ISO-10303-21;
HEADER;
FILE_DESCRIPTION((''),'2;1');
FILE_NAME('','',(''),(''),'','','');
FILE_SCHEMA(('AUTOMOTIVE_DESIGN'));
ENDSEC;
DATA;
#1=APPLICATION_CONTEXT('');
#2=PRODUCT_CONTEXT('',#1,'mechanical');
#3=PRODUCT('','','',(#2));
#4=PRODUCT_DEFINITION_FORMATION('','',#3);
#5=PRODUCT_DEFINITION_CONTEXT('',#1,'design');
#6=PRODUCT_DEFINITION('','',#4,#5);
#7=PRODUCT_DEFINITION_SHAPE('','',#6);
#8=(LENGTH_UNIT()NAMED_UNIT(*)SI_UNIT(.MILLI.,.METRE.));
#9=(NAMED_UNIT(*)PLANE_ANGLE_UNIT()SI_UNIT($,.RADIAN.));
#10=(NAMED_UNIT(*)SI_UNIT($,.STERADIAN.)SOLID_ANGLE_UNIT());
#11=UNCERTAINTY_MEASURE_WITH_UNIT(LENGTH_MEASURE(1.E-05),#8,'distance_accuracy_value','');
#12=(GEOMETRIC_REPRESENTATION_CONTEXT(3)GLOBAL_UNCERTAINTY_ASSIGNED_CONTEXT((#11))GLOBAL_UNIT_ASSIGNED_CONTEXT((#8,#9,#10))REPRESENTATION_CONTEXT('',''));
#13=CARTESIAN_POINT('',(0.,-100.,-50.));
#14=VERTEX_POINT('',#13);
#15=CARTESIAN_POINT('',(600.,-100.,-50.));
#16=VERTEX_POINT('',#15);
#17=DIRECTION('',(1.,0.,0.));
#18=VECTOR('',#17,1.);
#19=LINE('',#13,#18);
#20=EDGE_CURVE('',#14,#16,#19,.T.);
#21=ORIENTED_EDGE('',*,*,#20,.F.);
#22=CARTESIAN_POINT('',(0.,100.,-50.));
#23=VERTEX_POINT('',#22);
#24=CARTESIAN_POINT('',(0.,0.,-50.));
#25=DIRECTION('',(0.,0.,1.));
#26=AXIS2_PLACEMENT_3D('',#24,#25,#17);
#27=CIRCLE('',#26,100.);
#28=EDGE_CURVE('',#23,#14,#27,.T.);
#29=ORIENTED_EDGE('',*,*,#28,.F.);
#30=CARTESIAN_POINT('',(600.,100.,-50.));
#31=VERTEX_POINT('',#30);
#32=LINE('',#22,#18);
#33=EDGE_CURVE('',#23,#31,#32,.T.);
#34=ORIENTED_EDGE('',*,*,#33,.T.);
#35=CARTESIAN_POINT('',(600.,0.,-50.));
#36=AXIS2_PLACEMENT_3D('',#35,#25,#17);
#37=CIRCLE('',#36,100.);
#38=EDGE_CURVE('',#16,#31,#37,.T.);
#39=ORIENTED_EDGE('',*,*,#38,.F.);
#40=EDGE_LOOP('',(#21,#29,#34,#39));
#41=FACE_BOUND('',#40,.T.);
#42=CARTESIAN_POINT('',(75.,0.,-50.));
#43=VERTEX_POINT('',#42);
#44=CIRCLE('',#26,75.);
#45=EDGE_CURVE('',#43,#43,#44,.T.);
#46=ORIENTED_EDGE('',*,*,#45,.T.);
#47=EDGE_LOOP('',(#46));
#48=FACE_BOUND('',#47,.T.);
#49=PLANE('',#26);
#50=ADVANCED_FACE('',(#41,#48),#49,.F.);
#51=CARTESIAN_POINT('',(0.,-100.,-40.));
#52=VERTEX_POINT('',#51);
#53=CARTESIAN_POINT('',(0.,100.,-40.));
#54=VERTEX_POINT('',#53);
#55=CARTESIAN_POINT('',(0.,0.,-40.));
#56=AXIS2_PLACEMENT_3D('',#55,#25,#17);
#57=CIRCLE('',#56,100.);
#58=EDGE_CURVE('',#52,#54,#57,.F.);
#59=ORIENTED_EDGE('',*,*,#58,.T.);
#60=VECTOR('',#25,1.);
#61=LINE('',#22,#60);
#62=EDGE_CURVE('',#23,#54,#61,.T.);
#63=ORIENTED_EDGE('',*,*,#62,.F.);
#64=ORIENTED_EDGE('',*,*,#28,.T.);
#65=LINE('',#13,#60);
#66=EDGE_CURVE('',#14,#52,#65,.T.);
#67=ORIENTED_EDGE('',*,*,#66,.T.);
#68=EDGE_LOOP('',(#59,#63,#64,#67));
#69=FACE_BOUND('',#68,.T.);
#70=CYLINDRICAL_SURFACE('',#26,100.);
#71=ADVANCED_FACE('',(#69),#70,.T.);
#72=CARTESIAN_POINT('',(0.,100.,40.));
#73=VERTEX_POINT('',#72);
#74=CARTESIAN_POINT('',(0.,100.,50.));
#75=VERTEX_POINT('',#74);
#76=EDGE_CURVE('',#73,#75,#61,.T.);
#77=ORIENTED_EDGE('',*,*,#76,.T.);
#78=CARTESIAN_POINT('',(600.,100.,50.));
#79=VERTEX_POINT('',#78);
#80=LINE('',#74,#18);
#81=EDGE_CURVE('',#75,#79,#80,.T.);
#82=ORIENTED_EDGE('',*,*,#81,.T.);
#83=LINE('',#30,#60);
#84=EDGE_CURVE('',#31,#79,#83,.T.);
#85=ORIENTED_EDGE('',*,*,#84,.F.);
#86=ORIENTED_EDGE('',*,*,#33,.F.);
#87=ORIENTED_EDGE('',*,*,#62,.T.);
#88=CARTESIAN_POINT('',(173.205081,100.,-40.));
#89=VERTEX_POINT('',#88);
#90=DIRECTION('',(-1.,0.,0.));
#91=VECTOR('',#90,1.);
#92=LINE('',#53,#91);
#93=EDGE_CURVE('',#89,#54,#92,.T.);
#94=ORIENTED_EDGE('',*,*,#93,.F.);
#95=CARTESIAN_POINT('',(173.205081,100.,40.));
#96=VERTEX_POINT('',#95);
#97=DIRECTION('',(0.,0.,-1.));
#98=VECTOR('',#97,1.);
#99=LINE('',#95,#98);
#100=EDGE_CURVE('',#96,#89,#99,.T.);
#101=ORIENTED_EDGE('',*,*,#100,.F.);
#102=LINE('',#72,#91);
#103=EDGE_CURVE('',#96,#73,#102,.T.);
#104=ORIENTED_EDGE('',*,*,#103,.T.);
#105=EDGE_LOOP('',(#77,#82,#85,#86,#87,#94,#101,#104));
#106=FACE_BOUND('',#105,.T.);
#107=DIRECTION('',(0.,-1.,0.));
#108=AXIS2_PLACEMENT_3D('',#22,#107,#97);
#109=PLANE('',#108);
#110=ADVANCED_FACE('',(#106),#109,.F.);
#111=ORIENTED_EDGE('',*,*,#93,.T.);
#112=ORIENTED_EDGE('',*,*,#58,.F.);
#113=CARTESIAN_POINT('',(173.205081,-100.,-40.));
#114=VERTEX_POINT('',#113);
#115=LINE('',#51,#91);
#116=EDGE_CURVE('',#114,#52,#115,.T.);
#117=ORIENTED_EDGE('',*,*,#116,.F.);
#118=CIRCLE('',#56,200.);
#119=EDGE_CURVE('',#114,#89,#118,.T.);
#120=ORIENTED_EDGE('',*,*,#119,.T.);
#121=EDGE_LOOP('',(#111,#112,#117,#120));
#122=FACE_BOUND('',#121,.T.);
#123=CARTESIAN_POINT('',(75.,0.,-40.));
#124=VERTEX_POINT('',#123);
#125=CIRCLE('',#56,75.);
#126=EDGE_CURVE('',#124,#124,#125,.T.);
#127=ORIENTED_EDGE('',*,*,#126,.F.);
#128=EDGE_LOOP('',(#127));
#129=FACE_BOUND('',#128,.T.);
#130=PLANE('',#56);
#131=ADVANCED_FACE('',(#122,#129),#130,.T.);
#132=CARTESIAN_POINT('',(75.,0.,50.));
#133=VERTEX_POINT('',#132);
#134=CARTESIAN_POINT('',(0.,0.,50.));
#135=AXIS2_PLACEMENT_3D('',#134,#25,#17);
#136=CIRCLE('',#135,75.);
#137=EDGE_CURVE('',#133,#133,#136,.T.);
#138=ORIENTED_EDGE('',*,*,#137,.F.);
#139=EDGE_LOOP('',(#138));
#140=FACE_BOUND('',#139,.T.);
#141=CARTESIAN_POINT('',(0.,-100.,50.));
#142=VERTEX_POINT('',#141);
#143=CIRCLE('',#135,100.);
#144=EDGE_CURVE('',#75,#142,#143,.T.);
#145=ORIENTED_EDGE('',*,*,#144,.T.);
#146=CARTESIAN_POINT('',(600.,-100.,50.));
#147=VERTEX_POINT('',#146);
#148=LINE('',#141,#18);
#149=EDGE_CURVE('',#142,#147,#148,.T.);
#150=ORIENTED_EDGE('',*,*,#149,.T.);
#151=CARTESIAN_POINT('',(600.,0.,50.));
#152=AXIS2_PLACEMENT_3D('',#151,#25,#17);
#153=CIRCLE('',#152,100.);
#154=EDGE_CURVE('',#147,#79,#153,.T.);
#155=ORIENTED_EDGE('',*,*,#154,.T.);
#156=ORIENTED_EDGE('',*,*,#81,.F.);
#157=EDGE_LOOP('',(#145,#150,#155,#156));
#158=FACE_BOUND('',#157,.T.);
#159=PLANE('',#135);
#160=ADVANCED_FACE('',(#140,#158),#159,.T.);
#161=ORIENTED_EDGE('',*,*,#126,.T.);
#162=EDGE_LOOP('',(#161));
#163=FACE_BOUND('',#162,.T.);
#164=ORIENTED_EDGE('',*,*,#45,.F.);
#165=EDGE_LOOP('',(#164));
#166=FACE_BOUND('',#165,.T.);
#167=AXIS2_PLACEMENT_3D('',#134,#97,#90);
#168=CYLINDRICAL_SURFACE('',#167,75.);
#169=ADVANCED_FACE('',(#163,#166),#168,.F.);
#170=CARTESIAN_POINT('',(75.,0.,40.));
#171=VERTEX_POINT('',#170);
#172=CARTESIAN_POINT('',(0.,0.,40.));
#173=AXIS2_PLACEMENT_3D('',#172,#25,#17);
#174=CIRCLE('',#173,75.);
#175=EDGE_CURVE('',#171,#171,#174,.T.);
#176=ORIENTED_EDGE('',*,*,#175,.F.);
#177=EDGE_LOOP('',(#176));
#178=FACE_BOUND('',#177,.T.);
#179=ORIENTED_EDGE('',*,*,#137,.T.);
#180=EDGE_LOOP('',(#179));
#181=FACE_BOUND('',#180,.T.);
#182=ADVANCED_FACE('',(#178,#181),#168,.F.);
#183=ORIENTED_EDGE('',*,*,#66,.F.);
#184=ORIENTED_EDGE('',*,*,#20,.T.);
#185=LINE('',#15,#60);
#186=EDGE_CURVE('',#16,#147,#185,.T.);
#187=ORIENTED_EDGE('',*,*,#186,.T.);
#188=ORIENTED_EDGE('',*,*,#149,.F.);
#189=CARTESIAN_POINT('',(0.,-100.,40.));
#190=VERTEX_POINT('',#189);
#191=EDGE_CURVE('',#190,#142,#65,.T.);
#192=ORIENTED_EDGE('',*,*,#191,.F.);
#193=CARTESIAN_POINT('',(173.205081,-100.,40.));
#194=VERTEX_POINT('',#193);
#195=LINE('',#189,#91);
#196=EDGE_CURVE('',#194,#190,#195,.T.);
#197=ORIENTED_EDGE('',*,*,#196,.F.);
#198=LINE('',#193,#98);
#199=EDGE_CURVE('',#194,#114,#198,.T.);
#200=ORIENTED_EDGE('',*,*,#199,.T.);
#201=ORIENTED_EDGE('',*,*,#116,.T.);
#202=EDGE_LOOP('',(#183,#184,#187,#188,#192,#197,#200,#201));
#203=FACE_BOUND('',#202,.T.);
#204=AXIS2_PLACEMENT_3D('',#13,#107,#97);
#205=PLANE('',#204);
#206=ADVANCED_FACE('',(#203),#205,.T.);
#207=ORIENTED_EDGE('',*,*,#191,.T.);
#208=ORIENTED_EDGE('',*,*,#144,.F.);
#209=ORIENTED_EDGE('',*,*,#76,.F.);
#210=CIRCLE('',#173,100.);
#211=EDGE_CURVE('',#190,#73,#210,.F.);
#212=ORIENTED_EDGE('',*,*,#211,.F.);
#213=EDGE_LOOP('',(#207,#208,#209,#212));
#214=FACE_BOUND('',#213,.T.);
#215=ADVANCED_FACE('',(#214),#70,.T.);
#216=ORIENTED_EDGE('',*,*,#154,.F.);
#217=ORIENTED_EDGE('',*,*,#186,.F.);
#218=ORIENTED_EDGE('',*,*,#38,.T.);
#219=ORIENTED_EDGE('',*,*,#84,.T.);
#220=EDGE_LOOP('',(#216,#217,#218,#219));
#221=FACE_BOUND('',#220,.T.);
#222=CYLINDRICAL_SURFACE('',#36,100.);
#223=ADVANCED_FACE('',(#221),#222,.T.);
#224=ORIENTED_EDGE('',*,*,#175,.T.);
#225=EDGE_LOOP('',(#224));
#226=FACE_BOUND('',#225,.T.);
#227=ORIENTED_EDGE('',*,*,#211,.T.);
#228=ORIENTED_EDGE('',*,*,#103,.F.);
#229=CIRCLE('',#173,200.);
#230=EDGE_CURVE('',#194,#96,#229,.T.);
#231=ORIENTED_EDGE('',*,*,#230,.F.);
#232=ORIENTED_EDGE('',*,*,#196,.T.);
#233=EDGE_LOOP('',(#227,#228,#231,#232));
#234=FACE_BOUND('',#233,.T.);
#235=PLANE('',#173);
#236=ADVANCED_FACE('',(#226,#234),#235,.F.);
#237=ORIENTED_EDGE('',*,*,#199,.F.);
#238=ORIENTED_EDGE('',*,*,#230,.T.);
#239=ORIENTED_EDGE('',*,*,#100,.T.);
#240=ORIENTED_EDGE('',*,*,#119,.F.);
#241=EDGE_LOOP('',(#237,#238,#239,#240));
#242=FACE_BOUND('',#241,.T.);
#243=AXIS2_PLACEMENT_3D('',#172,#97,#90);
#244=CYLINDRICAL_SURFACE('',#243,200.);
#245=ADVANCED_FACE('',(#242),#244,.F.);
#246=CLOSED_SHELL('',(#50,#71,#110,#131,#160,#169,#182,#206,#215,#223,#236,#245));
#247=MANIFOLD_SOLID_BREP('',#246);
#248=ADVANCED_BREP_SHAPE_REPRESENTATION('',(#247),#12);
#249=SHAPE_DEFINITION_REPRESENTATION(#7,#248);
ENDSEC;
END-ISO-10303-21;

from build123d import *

# Parameters (mm, degrees)
BOSS_EXTRUDE1_DEPTH      = 50
BOSS_EXTRUDE1_DEPTH_BACK = 50
CUT_EXTRUDE1_DEPTH       = 50
CUT_EXTRUDE1_DEPTH_BACK  = 50
SKETCH3_R                = 75
CUT_EXTRUDE2_DEPTH       = 40
CUT_EXTRUDE2_DEPTH_BACK  = 40
SKETCH4_R                = 200


with BuildPart() as part:
    # Sketch2 → Boss-Extrude1 (new, two sides: drawn at the far end of the back side and taken through both)
    with BuildSketch(Plane.XY.offset(-BOSS_EXTRUDE1_DEPTH_BACK)):
        with BuildLine():
            Line((600, 100), (0, 100))
            ThreePointArc((0, 100), (-100, 0), (0, -100))
            Line((0, -100), (600, -100))
            ThreePointArc((600, -100), (700, 0), (600, 100))
        make_face()
    extrude(amount=BOSS_EXTRUDE1_DEPTH + BOSS_EXTRUDE1_DEPTH_BACK)

    # Sketch3 → Cut-Extrude1 (cut, two sides: drawn at the far end of the back side and taken through both)
    with BuildSketch(Plane.XY.offset(-CUT_EXTRUDE1_DEPTH_BACK)):
        Circle(SKETCH3_R)
    extrude(amount=CUT_EXTRUDE1_DEPTH + CUT_EXTRUDE1_DEPTH_BACK, mode=Mode.SUBTRACT)

    # Sketch4 → Cut-Extrude2 (cut, two sides: drawn at the far end of the back side and taken through both)
    with BuildSketch(Plane.XY.offset(-CUT_EXTRUDE2_DEPTH_BACK)):
        Circle(SKETCH4_R)
    extrude(amount=CUT_EXTRUDE2_DEPTH + CUT_EXTRUDE2_DEPTH_BACK, mode=Mode.SUBTRACT)


solid = part.part
